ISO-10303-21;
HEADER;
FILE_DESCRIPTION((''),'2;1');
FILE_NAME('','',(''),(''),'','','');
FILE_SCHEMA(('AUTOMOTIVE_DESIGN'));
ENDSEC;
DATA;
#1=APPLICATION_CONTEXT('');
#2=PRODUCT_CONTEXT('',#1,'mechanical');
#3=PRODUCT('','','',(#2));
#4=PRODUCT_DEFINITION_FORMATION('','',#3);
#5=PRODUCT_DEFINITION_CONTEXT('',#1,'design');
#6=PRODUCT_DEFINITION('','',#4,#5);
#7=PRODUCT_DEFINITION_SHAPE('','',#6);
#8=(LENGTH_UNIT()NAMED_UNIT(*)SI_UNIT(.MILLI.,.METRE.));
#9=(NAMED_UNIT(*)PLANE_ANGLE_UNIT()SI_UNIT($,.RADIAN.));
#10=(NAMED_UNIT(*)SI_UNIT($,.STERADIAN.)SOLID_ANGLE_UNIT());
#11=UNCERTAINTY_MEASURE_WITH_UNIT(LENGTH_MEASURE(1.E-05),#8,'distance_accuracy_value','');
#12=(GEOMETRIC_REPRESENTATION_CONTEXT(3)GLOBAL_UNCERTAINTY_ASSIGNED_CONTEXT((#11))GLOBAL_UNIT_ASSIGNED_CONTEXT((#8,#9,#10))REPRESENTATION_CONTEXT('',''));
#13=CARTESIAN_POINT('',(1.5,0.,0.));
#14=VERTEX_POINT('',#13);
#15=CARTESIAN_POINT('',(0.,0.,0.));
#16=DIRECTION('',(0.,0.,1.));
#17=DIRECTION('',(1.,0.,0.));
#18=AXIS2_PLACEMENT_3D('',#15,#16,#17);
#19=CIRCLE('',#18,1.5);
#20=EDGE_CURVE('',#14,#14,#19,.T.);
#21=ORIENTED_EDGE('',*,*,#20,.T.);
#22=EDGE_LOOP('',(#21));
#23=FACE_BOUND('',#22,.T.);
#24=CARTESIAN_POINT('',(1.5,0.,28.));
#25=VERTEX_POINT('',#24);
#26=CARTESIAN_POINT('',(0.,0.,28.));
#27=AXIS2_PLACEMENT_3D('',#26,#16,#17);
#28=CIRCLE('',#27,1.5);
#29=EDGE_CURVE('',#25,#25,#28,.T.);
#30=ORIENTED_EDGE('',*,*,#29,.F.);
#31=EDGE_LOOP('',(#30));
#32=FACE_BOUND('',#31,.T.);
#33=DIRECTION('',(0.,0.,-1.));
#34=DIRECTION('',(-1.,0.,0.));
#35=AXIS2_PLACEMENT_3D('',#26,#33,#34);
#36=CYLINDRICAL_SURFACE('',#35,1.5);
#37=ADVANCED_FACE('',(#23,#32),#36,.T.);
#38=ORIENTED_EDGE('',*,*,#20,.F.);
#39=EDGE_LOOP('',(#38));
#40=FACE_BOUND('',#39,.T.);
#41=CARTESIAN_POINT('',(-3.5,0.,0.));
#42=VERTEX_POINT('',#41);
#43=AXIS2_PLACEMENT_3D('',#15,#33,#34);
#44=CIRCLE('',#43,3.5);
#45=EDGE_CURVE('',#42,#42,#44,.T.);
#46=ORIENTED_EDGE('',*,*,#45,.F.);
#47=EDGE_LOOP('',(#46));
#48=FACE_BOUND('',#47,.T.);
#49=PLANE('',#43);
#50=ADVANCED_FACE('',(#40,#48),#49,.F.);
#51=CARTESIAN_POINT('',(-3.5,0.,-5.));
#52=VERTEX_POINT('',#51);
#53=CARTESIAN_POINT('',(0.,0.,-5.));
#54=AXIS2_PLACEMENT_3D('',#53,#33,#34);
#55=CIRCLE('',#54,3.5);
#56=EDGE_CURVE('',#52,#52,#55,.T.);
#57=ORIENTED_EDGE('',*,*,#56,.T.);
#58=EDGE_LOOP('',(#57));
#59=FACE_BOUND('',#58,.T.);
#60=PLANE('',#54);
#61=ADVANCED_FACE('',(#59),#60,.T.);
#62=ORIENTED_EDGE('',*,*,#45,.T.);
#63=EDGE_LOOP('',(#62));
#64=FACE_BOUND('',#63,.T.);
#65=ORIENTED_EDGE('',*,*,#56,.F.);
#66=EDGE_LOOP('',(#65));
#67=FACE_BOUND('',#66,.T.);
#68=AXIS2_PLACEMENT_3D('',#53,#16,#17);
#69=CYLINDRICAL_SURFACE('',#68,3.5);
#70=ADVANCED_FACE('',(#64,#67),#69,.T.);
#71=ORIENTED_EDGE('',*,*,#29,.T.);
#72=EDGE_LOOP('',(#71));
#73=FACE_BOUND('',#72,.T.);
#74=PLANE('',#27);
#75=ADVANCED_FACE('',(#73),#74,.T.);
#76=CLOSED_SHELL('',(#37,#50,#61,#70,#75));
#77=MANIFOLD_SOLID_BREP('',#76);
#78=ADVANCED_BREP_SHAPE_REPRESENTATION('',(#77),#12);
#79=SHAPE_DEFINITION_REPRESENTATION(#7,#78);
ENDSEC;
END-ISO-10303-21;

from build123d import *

# Parameters (mm, degrees)
ESQUISSE1_R        = 1.5
BOSS_EXTRU_1_DEPTH = 28
ESQUISSE2_R        = 3.5
BOSS_EXTRU_2_DEPTH = 5


with BuildPart() as part:
    # Esquisse1 → Boss.-Extru.1 (new body)
    with BuildSketch(Plane.XY):
        Circle(ESQUISSE1_R)
    extrude(amount=BOSS_EXTRU_1_DEPTH)

    # Esquisse2 → Boss.-Extru.2 (add)
    with BuildSketch(Plane(origin=(0, 0, 0), x_dir=(-1, 0, 0), z_dir=(0, 0, -1))):
        Circle(ESQUISSE2_R)
    extrude(amount=BOSS_EXTRU_2_DEPTH)


solid = part.part
